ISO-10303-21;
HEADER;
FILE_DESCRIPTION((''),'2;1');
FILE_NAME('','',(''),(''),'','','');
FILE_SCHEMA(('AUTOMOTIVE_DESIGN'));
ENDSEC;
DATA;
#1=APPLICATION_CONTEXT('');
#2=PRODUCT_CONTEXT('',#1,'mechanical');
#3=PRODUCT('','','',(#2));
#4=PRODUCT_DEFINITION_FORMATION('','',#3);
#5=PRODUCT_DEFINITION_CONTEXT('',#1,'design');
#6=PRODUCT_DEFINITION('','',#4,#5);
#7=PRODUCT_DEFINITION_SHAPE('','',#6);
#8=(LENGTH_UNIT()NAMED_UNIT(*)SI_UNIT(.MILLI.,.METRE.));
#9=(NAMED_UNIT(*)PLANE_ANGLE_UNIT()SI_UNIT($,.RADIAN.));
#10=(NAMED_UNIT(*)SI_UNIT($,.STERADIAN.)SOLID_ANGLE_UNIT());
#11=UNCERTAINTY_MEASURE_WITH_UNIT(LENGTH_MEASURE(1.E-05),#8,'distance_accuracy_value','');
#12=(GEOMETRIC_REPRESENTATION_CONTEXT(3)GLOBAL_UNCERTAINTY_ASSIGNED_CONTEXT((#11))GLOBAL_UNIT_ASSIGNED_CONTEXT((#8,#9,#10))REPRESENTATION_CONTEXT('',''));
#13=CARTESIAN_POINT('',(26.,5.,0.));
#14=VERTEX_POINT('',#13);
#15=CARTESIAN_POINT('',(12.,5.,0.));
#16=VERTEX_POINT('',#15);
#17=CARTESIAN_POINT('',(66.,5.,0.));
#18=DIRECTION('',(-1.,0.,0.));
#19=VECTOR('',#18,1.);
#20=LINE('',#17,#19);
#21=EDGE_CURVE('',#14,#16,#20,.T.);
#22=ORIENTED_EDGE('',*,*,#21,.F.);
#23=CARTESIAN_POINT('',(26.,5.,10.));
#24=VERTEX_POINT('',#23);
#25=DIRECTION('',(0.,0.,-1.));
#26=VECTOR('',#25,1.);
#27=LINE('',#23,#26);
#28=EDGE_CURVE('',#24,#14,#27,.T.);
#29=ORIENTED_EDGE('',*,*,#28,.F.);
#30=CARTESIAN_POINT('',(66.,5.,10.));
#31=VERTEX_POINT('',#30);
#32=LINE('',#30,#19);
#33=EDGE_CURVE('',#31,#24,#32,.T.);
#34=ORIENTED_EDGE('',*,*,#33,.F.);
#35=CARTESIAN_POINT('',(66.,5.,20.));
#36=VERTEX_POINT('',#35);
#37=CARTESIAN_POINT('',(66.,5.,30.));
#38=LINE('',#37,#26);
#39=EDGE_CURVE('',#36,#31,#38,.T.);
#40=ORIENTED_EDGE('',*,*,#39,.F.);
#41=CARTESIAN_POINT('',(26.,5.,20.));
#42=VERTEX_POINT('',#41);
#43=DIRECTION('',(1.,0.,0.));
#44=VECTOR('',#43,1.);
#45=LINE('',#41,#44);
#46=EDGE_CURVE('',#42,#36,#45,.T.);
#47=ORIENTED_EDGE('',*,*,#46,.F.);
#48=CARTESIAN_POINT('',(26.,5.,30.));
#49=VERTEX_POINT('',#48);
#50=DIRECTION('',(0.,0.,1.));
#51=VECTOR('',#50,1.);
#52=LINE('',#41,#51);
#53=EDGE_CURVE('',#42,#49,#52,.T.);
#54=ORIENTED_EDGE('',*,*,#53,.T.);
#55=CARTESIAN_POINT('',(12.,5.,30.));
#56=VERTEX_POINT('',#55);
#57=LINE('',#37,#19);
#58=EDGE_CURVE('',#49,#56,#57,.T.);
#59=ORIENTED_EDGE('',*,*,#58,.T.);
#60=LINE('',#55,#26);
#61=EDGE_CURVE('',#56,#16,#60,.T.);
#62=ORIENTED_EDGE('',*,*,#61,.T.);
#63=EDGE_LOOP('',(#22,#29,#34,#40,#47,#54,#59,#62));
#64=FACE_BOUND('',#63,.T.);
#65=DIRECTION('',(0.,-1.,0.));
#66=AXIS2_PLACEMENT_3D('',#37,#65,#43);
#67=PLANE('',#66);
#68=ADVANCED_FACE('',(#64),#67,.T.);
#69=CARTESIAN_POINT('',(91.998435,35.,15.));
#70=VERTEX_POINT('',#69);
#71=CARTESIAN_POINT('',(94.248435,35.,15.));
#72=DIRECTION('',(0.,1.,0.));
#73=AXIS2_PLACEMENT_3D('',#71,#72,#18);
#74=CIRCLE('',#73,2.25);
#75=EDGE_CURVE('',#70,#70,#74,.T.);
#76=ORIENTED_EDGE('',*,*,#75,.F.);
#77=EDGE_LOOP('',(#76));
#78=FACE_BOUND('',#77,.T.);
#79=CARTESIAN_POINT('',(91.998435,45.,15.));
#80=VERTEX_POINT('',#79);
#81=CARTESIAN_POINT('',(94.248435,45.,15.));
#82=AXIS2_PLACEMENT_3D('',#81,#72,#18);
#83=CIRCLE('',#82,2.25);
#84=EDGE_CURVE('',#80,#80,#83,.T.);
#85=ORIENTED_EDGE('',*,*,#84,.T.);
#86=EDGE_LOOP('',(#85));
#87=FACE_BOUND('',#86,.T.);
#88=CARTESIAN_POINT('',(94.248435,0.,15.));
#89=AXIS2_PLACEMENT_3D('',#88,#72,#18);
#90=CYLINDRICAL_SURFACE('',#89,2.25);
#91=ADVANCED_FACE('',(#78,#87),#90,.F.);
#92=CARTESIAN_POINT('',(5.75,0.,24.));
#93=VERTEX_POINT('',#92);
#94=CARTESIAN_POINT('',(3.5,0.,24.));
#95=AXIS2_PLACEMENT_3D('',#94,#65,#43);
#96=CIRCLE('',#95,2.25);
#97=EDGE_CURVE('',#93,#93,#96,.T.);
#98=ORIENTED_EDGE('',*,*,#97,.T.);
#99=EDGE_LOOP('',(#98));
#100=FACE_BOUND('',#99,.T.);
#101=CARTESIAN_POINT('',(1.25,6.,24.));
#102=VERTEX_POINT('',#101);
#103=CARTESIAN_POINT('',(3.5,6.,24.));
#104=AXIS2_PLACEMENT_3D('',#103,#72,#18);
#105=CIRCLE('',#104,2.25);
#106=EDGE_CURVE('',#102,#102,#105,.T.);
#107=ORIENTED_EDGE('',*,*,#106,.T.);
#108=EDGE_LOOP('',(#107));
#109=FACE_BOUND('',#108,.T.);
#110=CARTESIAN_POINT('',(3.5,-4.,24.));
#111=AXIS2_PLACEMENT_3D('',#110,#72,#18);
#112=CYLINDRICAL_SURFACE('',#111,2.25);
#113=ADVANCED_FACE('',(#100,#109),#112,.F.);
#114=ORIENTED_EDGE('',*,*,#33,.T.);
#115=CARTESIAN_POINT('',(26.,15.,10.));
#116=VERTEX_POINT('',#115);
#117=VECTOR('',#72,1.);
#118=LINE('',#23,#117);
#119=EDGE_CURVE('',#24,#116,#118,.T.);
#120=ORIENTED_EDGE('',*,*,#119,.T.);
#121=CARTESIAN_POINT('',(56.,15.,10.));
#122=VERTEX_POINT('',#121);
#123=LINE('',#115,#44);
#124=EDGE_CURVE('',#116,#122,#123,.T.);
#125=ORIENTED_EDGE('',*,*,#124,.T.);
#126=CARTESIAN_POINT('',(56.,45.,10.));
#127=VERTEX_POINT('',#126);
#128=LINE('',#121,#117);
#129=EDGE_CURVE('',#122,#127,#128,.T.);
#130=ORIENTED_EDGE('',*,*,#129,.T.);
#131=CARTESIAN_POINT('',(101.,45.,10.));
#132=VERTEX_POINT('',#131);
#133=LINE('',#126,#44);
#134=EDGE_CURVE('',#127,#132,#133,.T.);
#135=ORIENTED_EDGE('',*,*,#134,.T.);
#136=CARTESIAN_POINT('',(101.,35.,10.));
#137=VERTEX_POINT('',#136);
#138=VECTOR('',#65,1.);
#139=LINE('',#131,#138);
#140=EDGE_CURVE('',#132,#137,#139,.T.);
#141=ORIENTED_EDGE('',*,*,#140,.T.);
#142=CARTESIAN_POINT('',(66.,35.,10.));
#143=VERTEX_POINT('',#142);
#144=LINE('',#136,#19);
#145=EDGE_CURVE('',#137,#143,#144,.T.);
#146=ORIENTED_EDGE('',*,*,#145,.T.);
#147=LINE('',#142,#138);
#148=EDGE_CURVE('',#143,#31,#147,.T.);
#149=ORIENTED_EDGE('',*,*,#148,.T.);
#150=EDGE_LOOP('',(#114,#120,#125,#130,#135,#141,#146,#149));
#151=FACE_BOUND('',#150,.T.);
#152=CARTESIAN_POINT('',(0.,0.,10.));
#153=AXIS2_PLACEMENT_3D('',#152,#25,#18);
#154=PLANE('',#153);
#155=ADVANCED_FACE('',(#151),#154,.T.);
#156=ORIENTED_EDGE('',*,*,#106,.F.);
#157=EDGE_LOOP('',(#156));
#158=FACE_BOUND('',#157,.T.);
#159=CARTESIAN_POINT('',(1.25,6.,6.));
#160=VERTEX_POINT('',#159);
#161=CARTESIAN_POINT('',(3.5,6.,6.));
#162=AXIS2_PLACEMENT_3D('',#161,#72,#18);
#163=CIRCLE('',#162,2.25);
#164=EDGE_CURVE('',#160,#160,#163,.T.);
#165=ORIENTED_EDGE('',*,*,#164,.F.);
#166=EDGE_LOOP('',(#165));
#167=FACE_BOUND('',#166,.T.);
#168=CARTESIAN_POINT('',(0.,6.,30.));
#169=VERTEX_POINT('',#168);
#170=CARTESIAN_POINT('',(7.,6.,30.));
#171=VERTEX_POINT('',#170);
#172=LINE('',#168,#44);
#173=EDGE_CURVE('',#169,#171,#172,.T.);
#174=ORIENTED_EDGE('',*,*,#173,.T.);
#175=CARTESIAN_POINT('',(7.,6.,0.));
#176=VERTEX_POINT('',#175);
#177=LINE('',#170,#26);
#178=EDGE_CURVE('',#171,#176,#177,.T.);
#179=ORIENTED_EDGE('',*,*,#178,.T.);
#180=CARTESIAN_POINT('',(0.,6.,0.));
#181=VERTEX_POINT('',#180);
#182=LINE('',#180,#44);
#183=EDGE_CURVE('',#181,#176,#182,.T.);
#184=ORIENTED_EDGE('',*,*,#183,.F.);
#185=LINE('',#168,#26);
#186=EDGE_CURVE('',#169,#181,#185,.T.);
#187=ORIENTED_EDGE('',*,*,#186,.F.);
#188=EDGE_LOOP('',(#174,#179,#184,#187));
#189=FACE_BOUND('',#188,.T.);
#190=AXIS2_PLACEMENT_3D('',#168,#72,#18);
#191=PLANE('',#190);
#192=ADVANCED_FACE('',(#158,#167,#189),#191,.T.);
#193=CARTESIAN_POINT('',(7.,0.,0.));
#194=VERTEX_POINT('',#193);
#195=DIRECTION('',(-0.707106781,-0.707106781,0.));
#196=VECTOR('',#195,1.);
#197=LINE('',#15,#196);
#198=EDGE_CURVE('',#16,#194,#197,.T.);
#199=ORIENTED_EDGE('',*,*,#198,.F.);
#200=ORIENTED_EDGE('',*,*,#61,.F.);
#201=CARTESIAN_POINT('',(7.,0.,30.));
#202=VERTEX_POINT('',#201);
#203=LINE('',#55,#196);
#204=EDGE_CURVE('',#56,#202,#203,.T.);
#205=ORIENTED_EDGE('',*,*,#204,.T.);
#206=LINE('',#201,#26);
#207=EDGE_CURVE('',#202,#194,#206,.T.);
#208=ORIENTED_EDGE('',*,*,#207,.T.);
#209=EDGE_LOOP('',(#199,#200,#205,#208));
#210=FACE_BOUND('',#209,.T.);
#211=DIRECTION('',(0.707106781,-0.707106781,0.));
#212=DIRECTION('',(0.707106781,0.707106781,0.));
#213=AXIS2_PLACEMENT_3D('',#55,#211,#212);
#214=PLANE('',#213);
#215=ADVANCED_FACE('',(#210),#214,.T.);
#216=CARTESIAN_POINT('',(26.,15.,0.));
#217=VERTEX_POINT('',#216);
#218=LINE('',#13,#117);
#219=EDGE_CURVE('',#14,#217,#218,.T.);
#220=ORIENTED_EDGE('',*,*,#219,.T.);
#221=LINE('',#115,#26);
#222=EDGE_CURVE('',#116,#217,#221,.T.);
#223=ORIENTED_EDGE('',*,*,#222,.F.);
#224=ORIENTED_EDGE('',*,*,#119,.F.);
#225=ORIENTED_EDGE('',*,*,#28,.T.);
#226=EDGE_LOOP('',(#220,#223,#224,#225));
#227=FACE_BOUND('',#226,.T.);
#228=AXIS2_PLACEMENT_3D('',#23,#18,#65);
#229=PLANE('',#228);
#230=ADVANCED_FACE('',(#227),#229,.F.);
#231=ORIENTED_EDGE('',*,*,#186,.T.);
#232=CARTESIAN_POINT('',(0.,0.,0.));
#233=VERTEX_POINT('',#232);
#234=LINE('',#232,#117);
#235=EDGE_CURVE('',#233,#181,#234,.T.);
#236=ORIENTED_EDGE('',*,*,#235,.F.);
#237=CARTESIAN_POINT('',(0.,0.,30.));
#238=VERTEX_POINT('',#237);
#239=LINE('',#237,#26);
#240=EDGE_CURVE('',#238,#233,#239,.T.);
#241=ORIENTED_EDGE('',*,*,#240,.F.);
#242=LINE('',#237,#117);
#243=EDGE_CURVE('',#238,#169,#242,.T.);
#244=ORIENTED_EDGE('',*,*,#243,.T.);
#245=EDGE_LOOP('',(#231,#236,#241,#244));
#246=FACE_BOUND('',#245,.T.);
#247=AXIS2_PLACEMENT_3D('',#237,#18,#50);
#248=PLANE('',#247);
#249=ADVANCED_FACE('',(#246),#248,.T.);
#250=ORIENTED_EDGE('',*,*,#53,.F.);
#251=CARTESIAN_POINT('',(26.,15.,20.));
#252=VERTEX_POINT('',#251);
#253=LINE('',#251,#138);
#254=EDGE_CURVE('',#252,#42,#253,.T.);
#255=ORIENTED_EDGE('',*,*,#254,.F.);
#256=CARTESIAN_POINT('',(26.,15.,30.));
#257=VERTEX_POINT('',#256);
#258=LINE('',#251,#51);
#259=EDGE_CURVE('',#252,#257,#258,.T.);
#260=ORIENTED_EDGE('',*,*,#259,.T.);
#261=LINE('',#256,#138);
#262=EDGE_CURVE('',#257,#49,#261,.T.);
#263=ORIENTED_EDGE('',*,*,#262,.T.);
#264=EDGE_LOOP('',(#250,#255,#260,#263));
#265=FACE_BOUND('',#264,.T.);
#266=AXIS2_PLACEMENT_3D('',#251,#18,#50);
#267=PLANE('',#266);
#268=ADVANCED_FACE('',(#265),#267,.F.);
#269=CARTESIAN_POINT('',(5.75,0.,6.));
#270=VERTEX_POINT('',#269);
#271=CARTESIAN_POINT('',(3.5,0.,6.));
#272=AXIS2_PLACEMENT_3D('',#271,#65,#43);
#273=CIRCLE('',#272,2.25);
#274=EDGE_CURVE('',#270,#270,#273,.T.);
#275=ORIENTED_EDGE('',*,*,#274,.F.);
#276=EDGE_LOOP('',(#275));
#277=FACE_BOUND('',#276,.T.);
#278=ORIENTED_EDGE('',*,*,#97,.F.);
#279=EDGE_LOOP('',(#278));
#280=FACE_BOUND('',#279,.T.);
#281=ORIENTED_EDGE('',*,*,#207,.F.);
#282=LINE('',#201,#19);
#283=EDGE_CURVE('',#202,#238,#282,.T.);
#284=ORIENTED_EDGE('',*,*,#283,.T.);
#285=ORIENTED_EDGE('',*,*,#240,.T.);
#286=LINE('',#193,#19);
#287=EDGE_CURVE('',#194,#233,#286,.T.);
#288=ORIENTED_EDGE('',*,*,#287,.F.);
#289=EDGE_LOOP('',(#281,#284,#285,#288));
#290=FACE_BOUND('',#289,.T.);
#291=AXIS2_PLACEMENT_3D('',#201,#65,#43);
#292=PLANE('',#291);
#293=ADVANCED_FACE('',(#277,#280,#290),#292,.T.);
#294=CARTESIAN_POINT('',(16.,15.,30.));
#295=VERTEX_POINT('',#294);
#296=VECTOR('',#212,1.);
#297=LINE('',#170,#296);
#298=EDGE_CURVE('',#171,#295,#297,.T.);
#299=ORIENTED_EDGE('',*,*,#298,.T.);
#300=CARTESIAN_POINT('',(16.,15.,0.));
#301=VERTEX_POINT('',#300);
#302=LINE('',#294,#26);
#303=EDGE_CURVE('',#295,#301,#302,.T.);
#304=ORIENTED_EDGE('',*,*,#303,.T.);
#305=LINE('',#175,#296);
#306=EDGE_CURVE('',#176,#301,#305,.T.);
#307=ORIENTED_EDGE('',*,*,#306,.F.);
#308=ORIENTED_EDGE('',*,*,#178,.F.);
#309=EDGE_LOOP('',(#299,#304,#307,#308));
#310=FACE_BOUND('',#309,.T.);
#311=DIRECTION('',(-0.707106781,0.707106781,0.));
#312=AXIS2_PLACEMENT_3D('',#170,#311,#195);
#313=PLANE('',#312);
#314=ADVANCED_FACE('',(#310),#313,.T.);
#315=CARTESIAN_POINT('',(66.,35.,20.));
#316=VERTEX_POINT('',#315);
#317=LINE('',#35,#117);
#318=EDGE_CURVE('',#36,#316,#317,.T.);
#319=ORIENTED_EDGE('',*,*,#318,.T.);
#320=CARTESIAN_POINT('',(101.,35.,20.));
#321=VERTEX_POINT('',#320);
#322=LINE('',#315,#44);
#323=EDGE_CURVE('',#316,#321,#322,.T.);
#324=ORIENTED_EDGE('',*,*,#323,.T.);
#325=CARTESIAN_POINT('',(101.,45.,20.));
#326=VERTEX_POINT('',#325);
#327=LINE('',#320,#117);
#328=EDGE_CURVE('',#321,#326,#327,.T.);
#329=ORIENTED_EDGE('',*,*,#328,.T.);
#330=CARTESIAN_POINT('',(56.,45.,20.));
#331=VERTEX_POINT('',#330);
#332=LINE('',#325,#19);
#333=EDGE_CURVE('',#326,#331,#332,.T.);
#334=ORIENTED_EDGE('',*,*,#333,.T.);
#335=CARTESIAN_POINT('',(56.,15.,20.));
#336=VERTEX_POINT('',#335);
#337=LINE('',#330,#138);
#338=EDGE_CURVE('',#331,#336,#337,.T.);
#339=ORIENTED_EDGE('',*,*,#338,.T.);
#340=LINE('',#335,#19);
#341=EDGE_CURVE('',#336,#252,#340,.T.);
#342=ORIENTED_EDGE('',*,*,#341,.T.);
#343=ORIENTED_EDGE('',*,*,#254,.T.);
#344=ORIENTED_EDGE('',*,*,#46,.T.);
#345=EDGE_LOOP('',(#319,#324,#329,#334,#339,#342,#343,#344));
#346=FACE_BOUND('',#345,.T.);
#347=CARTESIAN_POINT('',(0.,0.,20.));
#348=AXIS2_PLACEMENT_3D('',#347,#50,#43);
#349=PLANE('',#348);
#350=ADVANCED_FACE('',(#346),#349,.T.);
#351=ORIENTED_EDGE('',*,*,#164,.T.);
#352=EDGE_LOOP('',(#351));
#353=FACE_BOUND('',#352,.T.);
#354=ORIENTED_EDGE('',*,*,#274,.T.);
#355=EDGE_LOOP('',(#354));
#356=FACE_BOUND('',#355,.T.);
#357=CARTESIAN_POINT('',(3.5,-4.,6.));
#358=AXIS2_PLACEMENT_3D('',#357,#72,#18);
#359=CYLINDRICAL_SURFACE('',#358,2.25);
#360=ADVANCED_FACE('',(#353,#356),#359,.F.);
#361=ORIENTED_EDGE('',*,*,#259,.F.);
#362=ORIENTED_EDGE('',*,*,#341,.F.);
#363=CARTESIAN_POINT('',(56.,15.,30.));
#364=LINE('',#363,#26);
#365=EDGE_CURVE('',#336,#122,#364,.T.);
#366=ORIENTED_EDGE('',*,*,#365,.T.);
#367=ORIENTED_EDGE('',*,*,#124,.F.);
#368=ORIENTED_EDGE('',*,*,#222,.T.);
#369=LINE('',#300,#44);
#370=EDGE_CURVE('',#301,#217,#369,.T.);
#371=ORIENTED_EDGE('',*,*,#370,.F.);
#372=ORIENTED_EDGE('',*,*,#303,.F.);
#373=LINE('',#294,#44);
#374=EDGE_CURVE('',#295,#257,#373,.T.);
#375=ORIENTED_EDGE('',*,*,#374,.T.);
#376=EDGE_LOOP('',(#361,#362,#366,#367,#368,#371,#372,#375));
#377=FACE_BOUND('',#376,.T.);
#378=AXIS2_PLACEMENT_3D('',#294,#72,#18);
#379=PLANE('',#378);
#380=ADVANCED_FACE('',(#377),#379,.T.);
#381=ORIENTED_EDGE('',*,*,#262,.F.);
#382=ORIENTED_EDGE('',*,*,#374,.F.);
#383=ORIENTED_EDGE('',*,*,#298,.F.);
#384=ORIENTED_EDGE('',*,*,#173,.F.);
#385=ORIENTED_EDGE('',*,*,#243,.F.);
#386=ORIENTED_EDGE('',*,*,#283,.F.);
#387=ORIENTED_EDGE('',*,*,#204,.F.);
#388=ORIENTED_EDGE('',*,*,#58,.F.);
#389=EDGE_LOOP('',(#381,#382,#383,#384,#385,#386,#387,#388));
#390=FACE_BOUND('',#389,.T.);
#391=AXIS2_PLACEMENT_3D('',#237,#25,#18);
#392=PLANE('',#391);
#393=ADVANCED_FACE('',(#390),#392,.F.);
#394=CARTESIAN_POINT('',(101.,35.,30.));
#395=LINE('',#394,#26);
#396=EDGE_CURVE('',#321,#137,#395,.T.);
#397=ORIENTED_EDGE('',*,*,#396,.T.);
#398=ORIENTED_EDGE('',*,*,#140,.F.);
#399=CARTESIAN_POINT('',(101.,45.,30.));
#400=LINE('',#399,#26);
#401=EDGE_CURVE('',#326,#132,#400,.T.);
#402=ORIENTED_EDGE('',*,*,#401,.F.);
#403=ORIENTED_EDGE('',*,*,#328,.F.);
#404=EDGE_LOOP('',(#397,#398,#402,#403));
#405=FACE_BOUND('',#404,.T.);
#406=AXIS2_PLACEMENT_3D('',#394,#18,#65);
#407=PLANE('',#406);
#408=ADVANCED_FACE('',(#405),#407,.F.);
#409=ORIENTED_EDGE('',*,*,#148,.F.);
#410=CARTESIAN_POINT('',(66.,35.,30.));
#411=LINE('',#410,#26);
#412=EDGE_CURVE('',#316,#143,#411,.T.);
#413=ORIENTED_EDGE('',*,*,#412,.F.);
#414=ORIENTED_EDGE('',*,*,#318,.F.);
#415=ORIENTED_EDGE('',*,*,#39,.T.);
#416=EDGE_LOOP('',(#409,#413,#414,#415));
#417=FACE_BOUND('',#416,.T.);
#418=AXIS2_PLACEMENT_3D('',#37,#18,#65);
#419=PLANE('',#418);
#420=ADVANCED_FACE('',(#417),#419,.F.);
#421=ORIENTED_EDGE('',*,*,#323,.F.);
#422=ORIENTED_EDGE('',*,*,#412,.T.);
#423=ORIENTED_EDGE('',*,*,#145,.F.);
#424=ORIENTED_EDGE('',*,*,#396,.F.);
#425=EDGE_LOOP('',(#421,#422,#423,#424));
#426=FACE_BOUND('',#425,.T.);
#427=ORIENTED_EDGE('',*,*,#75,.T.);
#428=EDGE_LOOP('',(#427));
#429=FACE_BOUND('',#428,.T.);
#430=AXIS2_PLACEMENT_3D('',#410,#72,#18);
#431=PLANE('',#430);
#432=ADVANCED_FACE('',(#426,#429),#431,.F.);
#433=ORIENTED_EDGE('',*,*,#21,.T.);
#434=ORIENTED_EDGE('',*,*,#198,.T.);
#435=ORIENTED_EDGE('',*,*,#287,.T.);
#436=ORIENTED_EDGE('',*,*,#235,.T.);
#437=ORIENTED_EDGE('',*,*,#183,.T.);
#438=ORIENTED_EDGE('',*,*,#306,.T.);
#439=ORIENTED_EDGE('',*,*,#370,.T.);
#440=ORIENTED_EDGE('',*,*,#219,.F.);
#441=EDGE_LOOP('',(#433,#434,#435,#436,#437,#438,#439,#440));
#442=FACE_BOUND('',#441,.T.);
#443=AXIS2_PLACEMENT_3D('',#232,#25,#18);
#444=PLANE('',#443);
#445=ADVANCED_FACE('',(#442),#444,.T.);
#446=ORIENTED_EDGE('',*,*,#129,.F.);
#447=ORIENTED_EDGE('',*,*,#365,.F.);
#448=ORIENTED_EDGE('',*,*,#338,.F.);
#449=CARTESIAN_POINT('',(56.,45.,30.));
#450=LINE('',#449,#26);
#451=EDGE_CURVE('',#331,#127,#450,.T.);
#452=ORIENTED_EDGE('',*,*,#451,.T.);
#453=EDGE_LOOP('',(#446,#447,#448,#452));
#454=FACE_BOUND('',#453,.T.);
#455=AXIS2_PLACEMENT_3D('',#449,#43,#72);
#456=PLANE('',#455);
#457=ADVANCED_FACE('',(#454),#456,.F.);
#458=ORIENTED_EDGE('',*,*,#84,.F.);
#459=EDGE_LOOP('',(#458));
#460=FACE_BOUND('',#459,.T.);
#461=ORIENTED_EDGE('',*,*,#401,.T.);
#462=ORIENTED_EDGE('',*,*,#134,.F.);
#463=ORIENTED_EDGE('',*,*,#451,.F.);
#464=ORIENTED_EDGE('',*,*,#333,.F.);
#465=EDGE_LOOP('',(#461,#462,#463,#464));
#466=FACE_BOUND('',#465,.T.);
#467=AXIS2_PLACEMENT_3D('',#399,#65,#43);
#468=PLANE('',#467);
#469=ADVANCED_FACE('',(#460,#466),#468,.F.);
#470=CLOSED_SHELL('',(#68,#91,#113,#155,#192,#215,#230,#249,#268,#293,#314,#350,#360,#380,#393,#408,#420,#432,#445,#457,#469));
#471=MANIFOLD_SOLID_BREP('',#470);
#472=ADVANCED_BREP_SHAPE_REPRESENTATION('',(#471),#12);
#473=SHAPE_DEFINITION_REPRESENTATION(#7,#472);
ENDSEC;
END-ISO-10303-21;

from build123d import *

# Parameters (mm, degrees)
BOSS_EXTRUDE1_DEPTH = 30
CUT_EXTRUDE1_DEPTH  = 10
CUT_EXTRUDE2_DEPTH  = 10
SKETCH5_R           = 2.25
CUT_EXTRUDE3_DEPTH  = 46
SKETCH6_R           = 2.25
CUT_EXTRUDE4_DEPTH  = 10


with BuildPart() as part:
    # Sketch1 → Boss-Extrude1 (new body)
    with BuildSketch(Plane.XY):
        Polygon((0, 0), (0, 6), (7, 6), (16, 15), (56, 15), (56, 45), (101, 45), (101, 35), (66, 35), (66, 5), (12, 5), (7, 0), align=None)
    extrude(amount=BOSS_EXTRUDE1_DEPTH)

    # Sketch2 → Cut-Extrude1 (cut)
    with BuildSketch(Plane.XY.offset(30)):
        Polygon((26, 15), (26, 5), (66, 5), (66, 35), (101, 35), (101, 45), (56, 45), (56, 15), align=None)
    extrude(amount=-CUT_EXTRUDE1_DEPTH, mode=Mode.SUBTRACT)

    # Sketch4 → Cut-Extrude2 (cut)
    with BuildSketch(Plane(origin=(0, 0, 0), x_dir=(-1, 0, 0), z_dir=(0, 0, -1))):
        Polygon((-66, 5), (-26, 5), (-26, 15), (-56, 15), (-56, 45), (-101, 45), (-101, 35), (-66, 35), align=None)
    extrude(amount=-CUT_EXTRUDE2_DEPTH, mode=Mode.SUBTRACT)

    # Sketch5 → Cut-Extrude3 (cut, through all)
    with BuildSketch(Plane(origin=(0, 45, 0), x_dir=(1, 0, 0), z_dir=(0, 1, 0))):
        with Locations((94.248435015, -15)):
            Circle(SKETCH5_R)
    extrude(amount=-CUT_EXTRUDE3_DEPTH, mode=Mode.SUBTRACT)

    # Sketch6 → Cut-Extrude4 (cut)
    with BuildSketch(Plane(origin=(0, 6, 0), x_dir=(1, 0, 0), z_dir=(0, 1, 0))):
        with Locations((3.5, -6)):
            Circle(SKETCH6_R)
        with Locations((3.5, -24)):
            Circle(SKETCH6_R)
    extrude(amount=-CUT_EXTRUDE4_DEPTH, mode=Mode.SUBTRACT)


solid = part.part
